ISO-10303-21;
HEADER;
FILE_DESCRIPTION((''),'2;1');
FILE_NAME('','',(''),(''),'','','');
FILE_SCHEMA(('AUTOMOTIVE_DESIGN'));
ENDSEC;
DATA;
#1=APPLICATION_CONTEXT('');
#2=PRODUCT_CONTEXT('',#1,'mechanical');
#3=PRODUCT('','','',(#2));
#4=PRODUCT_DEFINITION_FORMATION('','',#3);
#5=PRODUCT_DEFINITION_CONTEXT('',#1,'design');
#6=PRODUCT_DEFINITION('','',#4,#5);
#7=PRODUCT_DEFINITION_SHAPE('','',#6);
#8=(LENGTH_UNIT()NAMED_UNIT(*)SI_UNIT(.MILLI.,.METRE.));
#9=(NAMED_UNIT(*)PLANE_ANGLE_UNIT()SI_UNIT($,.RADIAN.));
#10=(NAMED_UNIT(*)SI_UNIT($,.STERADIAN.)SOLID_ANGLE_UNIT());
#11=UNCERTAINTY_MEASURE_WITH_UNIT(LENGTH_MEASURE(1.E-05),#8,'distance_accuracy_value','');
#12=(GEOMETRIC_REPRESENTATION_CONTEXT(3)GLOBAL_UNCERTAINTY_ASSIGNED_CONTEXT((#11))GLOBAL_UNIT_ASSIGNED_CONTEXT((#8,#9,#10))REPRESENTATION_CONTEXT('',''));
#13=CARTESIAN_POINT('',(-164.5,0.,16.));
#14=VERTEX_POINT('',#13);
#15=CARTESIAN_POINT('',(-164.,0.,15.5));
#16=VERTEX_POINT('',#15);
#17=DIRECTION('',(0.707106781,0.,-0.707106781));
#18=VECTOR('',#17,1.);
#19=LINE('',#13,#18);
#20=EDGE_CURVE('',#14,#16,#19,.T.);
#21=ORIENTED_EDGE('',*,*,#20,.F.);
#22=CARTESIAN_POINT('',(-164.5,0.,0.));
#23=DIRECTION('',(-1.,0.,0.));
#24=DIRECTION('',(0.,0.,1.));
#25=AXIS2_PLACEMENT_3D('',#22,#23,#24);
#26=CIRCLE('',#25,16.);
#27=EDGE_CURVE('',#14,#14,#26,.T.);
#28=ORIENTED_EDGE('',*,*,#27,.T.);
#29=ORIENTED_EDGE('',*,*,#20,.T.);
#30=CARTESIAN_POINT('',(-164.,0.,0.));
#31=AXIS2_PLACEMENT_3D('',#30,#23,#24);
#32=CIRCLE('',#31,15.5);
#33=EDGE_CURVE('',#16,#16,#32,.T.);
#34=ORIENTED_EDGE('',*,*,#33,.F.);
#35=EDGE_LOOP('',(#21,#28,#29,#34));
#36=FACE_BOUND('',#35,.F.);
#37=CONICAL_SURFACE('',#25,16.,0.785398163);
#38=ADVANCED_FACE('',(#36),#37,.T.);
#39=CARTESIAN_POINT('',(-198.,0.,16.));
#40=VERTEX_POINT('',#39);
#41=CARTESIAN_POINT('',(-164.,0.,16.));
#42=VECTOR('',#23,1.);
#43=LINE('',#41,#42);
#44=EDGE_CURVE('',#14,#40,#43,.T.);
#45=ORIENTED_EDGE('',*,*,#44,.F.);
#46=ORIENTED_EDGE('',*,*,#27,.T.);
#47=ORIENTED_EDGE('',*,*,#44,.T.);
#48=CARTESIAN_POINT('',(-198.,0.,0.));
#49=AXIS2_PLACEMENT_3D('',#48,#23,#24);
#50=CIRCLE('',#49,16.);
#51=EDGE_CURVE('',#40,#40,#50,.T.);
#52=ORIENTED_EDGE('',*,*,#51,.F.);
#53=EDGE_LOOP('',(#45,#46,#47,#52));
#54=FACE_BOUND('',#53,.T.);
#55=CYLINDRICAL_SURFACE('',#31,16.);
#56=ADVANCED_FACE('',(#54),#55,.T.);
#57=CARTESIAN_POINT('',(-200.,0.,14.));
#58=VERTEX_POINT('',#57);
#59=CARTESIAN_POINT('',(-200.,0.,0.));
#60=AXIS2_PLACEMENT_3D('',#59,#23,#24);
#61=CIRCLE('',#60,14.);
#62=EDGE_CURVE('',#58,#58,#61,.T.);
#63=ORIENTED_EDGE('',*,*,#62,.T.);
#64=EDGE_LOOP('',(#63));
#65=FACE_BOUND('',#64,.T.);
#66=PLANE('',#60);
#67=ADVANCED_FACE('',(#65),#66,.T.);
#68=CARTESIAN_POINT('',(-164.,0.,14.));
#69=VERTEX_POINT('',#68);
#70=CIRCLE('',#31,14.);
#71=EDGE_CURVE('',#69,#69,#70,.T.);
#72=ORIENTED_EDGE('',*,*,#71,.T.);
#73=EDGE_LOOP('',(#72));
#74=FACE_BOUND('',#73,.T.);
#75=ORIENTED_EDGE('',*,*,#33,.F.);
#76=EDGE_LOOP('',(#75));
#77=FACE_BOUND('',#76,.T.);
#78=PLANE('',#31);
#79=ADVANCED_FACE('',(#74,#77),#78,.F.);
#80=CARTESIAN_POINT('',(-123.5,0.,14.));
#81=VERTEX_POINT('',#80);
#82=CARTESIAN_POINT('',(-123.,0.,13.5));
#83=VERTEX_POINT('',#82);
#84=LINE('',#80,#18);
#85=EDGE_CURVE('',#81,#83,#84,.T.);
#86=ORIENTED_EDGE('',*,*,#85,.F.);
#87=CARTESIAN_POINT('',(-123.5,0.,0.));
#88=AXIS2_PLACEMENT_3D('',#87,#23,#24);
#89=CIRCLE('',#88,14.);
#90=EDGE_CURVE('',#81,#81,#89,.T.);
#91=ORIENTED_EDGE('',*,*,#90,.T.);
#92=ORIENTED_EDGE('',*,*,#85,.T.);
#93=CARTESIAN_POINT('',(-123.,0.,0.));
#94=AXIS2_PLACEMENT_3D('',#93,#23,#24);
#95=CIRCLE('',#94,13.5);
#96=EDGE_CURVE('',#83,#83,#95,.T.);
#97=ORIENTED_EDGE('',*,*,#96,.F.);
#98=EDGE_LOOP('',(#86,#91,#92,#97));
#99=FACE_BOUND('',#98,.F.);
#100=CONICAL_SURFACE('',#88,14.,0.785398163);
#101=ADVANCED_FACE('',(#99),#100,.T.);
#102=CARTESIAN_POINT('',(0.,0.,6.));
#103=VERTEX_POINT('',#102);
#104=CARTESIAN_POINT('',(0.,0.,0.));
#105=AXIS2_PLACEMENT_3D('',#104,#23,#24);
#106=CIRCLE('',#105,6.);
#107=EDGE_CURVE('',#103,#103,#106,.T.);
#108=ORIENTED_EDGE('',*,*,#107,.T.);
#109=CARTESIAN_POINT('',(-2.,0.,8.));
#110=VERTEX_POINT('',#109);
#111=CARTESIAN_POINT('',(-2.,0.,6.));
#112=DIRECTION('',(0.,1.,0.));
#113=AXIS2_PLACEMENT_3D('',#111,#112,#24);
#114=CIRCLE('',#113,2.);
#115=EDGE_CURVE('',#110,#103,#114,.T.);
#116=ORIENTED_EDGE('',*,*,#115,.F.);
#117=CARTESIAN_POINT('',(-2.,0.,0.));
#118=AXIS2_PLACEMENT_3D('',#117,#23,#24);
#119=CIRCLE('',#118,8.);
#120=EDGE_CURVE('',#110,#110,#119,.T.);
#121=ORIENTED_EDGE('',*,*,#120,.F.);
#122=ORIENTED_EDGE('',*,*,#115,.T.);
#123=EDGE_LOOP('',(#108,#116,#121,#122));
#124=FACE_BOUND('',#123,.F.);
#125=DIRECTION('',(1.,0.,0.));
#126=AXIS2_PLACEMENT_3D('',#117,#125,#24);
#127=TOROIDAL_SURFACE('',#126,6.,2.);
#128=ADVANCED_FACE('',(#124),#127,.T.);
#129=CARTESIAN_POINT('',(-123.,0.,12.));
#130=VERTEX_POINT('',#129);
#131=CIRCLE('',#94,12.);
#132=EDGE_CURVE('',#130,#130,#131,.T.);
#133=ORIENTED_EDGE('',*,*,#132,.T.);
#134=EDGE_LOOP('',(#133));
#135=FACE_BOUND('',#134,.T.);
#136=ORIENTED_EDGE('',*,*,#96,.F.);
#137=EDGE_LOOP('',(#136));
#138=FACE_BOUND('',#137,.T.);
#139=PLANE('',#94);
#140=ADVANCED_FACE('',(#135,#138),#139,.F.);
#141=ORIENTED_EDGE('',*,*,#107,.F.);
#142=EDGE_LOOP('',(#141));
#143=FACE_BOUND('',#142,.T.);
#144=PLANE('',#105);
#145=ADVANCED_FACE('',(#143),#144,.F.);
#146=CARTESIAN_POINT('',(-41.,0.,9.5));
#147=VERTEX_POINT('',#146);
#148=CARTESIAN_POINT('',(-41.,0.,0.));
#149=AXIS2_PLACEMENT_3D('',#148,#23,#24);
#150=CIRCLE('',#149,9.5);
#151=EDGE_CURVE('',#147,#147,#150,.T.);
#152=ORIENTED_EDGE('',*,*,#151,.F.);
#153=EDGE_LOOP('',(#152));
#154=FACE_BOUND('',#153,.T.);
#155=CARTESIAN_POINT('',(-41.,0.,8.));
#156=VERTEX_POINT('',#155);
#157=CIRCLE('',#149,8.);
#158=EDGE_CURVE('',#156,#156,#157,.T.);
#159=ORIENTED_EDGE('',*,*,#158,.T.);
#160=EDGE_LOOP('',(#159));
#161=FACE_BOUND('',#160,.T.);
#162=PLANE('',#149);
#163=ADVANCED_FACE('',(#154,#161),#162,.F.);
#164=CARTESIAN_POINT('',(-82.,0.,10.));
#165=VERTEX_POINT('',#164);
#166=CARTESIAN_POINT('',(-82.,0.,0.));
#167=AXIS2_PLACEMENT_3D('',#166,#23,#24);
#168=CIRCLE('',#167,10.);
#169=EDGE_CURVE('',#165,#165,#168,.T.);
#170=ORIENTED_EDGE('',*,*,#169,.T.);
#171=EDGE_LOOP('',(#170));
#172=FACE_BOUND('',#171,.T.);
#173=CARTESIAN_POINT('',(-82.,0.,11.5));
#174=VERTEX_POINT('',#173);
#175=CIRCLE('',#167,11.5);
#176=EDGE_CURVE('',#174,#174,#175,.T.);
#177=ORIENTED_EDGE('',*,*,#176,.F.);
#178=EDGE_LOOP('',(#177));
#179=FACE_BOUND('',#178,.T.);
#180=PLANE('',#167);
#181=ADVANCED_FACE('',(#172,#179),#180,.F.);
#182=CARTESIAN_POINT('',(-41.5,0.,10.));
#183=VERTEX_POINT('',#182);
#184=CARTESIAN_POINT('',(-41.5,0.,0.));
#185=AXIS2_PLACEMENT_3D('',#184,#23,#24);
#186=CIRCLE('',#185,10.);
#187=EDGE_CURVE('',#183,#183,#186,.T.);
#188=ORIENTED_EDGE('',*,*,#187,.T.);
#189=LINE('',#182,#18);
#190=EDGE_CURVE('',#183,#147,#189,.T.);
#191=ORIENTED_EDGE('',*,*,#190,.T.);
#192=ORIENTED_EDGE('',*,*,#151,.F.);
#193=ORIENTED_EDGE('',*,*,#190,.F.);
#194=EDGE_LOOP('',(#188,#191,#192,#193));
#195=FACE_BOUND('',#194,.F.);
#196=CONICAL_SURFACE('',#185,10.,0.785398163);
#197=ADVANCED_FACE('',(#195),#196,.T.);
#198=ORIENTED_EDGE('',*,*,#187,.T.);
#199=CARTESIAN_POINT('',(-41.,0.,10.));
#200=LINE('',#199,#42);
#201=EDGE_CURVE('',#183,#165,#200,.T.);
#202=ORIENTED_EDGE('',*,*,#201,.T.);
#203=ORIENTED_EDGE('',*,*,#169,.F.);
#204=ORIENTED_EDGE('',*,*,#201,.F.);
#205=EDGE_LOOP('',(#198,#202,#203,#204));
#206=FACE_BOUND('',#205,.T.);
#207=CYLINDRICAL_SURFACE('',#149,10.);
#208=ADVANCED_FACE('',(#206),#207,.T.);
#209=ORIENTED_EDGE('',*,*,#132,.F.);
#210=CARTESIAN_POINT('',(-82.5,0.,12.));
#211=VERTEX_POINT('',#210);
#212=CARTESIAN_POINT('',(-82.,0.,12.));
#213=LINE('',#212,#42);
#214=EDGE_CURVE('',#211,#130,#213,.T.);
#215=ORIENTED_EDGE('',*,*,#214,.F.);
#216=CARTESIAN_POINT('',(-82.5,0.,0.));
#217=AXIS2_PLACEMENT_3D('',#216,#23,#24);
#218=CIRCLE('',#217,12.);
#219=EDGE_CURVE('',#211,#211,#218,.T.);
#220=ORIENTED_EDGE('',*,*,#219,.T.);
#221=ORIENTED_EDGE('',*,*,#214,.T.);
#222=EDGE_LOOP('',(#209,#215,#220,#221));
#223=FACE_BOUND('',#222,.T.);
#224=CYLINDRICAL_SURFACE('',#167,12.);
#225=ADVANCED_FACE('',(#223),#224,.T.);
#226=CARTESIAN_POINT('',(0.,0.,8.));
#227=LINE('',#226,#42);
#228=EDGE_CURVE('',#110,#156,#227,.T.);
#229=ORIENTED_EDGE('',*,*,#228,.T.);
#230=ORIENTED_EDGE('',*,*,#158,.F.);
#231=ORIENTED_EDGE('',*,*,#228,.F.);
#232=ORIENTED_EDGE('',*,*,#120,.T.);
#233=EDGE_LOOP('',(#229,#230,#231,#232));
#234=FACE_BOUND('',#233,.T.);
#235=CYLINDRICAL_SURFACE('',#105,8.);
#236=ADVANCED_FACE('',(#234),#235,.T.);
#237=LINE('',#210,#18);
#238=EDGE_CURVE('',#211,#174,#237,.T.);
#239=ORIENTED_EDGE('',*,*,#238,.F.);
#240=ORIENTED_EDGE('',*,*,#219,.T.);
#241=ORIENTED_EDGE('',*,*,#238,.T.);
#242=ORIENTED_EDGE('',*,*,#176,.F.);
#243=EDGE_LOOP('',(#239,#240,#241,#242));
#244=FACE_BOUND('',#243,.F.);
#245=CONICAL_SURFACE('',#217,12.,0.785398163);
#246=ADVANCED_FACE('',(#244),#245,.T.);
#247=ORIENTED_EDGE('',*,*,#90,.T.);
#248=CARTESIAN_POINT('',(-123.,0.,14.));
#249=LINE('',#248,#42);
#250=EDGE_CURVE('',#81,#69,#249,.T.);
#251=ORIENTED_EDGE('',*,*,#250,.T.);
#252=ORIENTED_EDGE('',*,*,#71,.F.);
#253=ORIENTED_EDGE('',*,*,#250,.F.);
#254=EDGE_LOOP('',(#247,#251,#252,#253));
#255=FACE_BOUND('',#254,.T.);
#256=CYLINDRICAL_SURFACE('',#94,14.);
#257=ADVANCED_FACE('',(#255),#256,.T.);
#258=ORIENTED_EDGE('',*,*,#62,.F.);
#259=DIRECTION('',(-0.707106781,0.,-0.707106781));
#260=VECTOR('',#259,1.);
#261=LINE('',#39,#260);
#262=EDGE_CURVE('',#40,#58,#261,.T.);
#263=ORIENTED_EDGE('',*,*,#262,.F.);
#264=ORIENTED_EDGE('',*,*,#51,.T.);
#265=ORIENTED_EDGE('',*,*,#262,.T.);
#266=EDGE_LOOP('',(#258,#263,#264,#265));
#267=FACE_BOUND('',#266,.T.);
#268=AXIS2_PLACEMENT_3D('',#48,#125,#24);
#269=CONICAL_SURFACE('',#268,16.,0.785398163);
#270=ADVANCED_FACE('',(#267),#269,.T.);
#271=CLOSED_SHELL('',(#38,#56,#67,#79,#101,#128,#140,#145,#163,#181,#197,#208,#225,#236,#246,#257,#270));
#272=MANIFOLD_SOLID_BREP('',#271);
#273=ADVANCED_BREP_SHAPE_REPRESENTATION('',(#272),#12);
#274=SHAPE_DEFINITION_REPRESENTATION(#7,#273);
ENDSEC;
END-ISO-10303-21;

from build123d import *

# Parameters (mm, degrees)
F2_SIZE = 2
F3_SIZE = 0.5
F4_R    = 2


with BuildPart() as f1:
    # F0 (on Front) → F1 (revolve)
    with BuildSketch(Plane.XZ):
        Polygon((-200, 0), (0, 0), (0, 8), (-41, 8), (-41, 10), (-82, 10), (-82, 12), (-123, 12), (-123, 14), (-164, 14), (-164, 16), (-200, 16), align=None)
    revolve(axis=Axis((-100, 0, 0), (-1, 0, 0)))

    # F2
    f2_edges = [f1.edges().sort_by_distance(p)[0] for p in [
        (-200, 0, -16),
    ]]
    chamfer(f2_edges, length=F2_SIZE)

    # F3
    f3_edges = [f1.edges().sort_by_distance(p)[0] for p in [
        (-164, 0, -16),
        (-123, 0, -14),
        (-82, 0, -12),
        (-41, 0, -10),
    ]]
    chamfer(f3_edges, length=F3_SIZE)

    # F4
    f4_edges = [f1.edges().sort_by_distance(p)[0] for p in [
        (0, 0, -8),
    ]]
    fillet(f4_edges, radius=F4_R)


solid = f1.part
